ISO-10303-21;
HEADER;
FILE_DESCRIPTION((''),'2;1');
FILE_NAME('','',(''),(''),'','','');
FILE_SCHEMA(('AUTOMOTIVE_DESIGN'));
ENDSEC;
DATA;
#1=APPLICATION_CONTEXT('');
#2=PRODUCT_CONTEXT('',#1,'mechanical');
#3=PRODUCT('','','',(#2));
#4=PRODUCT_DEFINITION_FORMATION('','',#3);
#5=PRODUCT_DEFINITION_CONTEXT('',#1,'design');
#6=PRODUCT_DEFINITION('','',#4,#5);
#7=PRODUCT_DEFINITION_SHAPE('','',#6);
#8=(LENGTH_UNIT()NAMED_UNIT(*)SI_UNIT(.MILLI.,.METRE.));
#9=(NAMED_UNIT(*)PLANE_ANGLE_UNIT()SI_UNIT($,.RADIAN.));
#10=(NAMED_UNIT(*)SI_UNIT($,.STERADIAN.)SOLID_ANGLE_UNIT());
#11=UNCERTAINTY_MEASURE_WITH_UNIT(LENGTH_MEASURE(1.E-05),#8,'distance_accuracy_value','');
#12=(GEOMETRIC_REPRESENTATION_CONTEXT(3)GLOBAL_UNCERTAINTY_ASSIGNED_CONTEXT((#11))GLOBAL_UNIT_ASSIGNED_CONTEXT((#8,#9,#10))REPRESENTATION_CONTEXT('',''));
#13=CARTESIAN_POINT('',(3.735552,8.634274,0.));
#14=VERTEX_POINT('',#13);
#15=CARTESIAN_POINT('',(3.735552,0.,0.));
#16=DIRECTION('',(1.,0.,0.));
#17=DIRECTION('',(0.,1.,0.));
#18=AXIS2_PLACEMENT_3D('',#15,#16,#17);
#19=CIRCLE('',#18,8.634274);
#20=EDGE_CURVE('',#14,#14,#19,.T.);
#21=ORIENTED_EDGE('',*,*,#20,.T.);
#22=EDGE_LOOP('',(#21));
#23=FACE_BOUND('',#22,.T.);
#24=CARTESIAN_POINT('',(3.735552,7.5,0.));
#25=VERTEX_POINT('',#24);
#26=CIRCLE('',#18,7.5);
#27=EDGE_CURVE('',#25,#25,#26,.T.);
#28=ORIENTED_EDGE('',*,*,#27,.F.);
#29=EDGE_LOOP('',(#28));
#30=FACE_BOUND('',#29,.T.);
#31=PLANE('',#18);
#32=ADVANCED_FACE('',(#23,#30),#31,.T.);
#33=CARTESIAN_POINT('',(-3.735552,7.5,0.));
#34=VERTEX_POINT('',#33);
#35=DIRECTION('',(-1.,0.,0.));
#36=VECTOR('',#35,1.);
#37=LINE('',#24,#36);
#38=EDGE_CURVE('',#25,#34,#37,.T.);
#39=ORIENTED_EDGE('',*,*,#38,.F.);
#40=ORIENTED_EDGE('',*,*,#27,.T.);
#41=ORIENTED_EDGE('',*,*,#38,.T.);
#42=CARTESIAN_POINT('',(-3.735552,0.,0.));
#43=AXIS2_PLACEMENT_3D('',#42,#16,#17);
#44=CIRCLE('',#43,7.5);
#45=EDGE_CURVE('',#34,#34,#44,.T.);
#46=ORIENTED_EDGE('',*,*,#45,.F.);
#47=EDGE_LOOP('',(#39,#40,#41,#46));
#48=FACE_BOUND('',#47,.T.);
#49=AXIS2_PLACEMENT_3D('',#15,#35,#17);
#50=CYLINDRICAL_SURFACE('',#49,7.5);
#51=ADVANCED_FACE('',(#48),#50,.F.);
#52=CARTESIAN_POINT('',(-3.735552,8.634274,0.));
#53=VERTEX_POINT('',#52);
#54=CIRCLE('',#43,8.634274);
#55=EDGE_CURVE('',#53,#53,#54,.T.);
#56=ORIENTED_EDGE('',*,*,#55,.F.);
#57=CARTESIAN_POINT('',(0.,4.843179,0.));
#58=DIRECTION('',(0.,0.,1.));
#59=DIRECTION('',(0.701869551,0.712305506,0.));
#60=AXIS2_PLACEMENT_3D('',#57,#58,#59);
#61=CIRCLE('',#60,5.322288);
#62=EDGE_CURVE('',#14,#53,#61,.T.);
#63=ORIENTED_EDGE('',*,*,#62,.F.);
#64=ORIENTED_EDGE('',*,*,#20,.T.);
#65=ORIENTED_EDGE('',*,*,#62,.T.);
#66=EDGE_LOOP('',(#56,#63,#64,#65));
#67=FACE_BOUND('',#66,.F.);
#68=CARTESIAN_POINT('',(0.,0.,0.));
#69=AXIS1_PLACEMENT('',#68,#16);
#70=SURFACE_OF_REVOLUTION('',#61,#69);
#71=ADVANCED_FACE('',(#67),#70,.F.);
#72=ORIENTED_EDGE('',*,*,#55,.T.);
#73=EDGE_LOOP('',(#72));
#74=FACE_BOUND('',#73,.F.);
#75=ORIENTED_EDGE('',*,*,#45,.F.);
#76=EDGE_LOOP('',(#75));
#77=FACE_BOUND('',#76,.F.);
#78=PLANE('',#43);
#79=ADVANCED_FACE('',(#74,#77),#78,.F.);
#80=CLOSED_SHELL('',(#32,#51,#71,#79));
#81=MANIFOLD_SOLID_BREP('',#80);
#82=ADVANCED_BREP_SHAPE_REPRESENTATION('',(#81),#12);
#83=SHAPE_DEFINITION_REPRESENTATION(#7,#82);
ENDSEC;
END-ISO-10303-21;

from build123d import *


with BuildPart() as part:
    # Sketch → Revolution (revolve)
    with BuildSketch(Plane.XY):
        with BuildLine():
            ThreePointArc((3.735552, 8.634274), (0, 10.165467), (-3.735552, 8.634274))
            Line((-3.735552, 8.634274), (-3.735552, 7.5))
            Line((3.735552, 7.5), (-3.735552, 7.5))
            Line((3.735552, 8.634274), (3.735552, 7.5))
        make_face()
    revolve(axis=Axis((0, 0, 0), (1, 0, 0)))


solid = part.part
